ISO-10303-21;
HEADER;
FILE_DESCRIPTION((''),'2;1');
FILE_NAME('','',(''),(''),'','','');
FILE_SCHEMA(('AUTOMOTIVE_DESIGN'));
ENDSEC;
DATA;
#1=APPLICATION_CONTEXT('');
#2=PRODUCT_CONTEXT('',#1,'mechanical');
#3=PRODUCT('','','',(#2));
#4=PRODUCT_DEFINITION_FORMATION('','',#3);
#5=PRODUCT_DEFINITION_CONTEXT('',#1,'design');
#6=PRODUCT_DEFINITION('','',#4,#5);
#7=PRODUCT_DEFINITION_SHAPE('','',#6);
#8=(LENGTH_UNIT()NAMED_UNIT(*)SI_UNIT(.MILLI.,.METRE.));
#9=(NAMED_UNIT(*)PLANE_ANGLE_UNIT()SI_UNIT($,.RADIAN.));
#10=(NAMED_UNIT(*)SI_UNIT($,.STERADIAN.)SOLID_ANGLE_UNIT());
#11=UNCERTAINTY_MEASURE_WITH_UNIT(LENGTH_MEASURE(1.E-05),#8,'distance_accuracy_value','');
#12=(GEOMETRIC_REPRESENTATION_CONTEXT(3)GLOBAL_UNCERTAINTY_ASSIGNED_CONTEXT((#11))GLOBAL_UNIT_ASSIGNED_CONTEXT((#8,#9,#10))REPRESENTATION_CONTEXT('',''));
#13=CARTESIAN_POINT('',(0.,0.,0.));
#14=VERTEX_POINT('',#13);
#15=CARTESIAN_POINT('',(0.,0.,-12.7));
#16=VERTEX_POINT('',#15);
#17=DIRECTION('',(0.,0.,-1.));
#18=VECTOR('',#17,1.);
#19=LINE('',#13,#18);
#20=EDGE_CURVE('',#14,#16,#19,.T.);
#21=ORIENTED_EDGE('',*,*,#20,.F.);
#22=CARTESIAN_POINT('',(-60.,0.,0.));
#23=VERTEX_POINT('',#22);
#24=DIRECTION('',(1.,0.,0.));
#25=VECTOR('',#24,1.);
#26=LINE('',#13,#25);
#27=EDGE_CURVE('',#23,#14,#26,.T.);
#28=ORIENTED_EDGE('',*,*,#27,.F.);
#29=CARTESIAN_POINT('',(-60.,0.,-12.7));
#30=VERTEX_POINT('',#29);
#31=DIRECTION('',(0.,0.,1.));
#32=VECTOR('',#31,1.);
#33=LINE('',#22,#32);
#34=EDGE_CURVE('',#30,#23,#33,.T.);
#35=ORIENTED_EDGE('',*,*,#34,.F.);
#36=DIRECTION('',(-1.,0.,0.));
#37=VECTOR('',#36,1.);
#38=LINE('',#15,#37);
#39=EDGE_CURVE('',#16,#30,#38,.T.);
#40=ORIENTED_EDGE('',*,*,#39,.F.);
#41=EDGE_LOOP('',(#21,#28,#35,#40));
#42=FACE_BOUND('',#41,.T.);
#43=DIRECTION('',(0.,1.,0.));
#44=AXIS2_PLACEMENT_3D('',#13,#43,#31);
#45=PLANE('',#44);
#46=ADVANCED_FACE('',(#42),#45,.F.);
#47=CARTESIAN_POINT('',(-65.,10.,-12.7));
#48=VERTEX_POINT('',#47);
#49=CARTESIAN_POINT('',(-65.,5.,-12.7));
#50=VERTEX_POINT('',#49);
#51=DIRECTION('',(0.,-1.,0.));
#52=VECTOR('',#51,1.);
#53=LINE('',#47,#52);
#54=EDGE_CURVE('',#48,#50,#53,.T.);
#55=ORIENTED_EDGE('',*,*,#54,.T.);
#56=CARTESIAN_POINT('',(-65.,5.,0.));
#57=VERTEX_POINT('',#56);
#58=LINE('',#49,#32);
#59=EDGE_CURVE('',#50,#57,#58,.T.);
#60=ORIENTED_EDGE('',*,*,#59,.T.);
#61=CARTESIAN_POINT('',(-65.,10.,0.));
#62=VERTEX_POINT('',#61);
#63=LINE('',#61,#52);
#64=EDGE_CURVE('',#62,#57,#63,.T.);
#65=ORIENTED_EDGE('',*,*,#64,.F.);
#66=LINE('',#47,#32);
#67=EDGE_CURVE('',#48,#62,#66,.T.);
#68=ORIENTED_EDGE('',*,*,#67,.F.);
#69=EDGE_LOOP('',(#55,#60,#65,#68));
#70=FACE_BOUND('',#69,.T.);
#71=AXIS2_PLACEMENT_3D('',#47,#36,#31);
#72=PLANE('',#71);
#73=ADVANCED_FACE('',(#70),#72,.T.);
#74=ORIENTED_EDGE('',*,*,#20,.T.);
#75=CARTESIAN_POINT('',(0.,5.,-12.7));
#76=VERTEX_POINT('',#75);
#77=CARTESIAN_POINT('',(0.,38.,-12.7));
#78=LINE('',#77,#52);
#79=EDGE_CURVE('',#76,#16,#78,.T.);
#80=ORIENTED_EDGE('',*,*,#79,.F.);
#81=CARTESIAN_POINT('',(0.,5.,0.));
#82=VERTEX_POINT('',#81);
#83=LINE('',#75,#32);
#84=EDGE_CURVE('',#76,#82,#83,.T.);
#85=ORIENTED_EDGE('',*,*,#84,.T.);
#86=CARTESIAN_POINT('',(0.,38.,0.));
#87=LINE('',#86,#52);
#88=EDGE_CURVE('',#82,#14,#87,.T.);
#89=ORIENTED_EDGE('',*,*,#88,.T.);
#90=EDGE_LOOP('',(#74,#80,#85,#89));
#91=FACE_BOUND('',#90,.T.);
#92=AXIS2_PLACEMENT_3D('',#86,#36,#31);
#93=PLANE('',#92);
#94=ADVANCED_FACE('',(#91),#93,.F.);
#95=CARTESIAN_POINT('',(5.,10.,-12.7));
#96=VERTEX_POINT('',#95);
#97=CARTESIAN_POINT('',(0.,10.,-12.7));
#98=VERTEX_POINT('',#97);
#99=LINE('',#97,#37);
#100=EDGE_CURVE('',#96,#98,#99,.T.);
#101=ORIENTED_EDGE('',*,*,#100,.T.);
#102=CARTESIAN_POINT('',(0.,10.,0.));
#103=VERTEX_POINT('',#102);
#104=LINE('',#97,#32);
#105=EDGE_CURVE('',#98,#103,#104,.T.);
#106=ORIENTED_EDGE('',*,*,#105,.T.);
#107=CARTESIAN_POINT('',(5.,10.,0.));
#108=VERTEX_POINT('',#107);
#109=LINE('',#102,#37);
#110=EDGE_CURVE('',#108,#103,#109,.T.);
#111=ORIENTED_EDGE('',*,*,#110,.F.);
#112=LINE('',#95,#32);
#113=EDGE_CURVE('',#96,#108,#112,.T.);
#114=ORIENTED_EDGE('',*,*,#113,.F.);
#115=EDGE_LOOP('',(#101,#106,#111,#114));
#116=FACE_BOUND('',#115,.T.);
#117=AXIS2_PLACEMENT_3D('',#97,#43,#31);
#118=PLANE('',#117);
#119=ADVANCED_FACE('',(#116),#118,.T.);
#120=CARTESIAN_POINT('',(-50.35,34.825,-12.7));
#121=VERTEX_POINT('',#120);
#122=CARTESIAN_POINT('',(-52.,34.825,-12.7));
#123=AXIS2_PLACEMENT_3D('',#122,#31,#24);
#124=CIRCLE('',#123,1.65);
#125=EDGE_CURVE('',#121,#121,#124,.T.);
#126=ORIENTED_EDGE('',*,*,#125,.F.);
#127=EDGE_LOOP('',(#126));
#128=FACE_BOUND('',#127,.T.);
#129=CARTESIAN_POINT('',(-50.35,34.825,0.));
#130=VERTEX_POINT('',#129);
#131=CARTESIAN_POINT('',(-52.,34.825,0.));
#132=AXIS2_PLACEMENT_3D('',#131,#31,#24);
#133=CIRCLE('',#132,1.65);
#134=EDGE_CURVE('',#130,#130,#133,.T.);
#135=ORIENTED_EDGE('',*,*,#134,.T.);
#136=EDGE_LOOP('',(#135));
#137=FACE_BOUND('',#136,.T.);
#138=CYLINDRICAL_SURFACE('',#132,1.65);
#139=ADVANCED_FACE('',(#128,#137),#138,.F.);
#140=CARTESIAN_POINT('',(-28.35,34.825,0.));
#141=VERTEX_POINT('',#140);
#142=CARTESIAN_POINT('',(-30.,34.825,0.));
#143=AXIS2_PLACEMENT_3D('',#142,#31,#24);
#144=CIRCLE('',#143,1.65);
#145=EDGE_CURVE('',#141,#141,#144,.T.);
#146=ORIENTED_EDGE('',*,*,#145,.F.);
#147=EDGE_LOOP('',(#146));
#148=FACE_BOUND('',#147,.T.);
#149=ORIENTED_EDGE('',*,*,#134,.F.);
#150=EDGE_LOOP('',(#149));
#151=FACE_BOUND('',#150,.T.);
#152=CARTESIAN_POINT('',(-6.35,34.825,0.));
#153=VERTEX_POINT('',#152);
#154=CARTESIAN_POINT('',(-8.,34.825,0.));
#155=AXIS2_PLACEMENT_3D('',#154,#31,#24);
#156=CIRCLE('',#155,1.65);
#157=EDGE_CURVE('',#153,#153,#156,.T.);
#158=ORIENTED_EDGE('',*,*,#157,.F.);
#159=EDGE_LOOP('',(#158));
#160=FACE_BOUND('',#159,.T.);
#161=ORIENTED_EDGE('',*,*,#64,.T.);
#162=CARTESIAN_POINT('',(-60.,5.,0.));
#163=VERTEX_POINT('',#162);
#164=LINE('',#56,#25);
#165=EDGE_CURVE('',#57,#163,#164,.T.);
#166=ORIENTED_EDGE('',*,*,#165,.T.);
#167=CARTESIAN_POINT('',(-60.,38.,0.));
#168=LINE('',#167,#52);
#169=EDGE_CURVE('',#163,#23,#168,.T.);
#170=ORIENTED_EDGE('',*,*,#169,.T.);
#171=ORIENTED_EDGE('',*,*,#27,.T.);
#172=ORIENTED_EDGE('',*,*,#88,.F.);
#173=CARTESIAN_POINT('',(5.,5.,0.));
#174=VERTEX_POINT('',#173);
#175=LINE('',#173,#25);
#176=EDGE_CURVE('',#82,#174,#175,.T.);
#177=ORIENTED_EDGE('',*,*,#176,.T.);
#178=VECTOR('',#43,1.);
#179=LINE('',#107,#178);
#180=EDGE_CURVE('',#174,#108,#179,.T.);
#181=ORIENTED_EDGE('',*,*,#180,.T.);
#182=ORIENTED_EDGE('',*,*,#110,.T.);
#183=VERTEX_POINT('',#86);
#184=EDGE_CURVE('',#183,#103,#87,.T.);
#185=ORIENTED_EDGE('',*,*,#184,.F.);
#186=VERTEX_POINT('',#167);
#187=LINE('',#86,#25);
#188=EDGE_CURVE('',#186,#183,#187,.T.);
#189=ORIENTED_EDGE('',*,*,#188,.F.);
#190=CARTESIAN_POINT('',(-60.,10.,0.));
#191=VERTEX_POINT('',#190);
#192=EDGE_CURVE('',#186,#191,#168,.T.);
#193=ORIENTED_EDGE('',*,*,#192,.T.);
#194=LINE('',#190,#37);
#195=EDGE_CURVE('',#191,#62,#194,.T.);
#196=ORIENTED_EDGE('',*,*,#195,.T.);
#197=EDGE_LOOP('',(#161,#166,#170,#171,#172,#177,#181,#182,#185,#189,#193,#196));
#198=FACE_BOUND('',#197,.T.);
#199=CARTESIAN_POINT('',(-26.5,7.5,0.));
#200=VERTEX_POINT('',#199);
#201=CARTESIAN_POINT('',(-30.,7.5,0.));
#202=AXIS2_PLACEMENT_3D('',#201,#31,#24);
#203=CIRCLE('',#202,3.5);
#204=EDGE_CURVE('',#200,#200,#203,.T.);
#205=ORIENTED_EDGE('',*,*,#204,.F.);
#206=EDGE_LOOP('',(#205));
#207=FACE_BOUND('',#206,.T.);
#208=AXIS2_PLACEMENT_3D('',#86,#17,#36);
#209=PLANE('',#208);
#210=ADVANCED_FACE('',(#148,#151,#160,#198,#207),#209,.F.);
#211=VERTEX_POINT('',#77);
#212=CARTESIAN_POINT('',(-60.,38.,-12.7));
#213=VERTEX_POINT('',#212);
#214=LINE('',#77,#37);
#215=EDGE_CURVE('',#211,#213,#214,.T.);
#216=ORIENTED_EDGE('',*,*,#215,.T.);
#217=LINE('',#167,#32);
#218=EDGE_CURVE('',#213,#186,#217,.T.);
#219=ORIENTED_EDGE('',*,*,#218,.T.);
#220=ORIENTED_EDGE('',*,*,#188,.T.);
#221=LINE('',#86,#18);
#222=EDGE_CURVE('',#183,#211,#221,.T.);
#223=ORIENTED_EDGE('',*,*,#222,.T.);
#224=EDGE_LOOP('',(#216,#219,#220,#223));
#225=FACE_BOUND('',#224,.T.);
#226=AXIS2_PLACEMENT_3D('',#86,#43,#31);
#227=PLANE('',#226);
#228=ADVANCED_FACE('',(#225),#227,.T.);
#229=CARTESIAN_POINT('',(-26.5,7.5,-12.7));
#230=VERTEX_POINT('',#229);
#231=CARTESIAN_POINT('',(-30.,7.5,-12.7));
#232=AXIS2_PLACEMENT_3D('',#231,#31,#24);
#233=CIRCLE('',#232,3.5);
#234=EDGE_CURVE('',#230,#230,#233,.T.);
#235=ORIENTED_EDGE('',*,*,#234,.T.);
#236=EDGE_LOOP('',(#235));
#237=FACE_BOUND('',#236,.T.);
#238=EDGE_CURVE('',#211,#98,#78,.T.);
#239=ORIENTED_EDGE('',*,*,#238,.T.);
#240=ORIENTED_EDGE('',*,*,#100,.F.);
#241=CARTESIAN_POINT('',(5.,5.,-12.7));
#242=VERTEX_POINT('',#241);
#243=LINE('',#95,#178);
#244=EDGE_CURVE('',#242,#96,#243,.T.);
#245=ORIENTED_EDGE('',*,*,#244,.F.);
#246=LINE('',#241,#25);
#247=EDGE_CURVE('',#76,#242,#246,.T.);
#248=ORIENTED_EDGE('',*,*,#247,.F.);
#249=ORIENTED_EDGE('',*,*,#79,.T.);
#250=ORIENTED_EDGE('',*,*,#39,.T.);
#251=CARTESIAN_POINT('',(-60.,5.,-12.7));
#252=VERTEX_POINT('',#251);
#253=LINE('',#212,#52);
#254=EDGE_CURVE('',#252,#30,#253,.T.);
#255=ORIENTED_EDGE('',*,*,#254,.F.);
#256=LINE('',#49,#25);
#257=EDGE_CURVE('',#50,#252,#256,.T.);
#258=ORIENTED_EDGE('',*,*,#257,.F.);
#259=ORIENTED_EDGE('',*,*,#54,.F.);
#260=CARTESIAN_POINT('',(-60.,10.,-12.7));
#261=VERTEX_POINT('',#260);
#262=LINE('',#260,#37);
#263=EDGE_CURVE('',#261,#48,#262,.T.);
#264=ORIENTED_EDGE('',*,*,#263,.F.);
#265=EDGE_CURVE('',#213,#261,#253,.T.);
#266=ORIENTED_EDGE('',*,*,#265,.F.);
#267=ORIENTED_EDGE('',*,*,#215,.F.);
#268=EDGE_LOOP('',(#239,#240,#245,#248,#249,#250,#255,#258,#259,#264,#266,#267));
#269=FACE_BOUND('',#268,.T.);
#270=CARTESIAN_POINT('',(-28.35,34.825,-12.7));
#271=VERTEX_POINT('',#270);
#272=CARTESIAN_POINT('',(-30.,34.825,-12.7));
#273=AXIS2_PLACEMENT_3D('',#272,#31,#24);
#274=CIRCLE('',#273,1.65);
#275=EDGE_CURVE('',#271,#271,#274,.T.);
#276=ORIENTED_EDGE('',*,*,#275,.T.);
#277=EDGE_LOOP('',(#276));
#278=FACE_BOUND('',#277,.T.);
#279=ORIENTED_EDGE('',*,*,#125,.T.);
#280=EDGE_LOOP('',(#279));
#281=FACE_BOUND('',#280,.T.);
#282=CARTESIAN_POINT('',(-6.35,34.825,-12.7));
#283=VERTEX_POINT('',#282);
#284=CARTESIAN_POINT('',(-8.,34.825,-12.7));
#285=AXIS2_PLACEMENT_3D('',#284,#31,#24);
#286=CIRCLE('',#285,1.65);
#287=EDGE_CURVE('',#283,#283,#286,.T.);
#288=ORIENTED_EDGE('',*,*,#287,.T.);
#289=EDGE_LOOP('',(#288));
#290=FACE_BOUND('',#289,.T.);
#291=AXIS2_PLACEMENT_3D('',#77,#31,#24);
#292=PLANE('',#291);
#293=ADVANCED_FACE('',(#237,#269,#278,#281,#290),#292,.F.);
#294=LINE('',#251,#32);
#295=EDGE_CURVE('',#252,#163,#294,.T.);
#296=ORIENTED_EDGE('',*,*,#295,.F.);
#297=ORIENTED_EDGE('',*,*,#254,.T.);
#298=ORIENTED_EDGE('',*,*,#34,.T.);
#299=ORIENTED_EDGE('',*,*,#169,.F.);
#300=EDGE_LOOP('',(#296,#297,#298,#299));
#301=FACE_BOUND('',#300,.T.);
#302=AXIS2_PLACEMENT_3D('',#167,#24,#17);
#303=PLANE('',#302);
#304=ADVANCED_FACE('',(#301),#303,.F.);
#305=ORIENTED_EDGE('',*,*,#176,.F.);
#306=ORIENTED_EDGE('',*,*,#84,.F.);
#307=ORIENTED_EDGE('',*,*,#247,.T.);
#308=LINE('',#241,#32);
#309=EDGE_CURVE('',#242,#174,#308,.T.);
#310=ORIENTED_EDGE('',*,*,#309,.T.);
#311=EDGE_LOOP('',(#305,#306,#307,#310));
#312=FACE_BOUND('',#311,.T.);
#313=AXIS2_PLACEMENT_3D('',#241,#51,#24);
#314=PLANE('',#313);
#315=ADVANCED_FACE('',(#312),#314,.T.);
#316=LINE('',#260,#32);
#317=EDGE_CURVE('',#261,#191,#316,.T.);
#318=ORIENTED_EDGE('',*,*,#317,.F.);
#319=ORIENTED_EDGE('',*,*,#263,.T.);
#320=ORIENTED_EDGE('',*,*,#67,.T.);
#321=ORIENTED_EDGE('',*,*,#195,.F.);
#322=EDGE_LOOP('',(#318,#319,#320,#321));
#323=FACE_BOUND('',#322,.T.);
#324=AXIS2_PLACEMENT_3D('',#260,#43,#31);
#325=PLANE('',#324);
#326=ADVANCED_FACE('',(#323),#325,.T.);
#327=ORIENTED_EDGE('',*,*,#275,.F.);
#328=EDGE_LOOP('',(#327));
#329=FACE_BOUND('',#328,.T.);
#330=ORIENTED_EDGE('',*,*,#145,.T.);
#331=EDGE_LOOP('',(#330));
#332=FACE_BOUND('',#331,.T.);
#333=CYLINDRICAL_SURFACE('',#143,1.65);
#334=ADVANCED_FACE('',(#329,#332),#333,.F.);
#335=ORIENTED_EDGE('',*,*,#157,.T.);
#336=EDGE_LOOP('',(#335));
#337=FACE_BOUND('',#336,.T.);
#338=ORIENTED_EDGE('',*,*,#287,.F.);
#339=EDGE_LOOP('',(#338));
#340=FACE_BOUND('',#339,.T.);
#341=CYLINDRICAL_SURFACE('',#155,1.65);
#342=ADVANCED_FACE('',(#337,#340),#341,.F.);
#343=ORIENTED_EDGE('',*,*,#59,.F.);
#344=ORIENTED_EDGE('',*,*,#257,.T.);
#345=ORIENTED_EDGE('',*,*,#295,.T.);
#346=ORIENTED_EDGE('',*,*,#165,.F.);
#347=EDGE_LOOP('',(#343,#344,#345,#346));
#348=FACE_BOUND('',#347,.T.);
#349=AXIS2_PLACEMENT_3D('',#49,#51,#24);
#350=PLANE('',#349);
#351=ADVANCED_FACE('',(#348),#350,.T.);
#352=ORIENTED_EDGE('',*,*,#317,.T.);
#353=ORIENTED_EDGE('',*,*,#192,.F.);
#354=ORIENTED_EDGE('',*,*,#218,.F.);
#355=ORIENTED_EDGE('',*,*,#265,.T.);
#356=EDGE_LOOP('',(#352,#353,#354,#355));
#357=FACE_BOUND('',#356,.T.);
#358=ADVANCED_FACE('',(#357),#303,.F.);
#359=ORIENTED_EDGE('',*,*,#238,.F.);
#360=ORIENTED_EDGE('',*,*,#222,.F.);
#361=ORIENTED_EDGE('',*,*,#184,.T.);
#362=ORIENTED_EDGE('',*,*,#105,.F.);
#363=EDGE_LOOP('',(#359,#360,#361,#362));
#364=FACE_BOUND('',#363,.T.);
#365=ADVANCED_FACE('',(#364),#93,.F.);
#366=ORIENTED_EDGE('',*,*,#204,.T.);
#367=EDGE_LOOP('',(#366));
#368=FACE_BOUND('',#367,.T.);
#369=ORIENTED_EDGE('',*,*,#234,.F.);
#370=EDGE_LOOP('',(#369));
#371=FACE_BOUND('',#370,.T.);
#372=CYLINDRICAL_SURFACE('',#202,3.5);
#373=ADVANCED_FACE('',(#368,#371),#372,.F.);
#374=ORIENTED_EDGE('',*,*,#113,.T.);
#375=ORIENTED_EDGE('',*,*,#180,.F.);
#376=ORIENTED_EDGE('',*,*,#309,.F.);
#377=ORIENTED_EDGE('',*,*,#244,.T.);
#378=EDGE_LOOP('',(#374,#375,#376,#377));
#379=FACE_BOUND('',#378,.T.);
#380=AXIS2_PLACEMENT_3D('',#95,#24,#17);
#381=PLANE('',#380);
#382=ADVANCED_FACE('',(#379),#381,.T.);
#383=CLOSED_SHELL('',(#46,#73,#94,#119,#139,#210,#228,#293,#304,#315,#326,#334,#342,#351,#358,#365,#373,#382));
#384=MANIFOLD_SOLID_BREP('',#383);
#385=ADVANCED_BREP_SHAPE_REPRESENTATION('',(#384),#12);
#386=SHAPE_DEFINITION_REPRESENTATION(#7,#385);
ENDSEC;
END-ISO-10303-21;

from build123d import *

# Parameters (mm, degrees)
SKETCH1_W                 = 60
SKETCH1_H                 = 12.7
BOSS_EXTRUDE1_DEPTH       = 38
M8X1_0_TAPPED_HOLE1_D     = 7
M8X1_0_TAPPED_HOLE1_DEPTH = 19.05
M8X1_0_TAPPED_HOLE1_TIP   = 2.103012167
BOSS_EXTRUDE3_DEPTH       = 12.7
M4X0_7_TAPPED_HOLE1_D     = 3.3


with BuildPart() as part:
    # Sketch1 → Boss-Extrude1 (new body)
    with BuildSketch(Plane(origin=(0, 0, 0), x_dir=(1, 0, 0), z_dir=(0, 1, 0))):
        with Locations((-30, 6.35)):
            Rectangle(SKETCH1_W, SKETCH1_H)
    extrude(amount=BOSS_EXTRUDE1_DEPTH)

    # M8x1.0 Tapped Hole1
    with Locations(Plane(origin=(-30, 7.5, 0), x_dir=(1, 0, 0), z_dir=(0, 0, 1))):
        with Locations((0, 0)):
            Hole(M8X1_0_TAPPED_HOLE1_D / 2, depth=M8X1_0_TAPPED_HOLE1_DEPTH)
            with Locations((0, 0, -(M8X1_0_TAPPED_HOLE1_DEPTH + M8X1_0_TAPPED_HOLE1_TIP / 2))):  # 118° drill point
                Cone(0, M8X1_0_TAPPED_HOLE1_D / 2, M8X1_0_TAPPED_HOLE1_TIP, mode=Mode.SUBTRACT)

    # Sketch7 → Boss-Extrude3 (add)
    with BuildSketch(Plane.XY):
        Polygon((-60, 7.5), (-60, 10), (-65, 10), (-65, 5), (-60, 5), align=None)
        Polygon((5, 5), (0, 5), (0, 7.5), (0, 10), (5, 10), align=None)
    extrude(amount=-BOSS_EXTRUDE3_DEPTH)

    # M4x0.7 Tapped Hole1 (through all)
    with Locations(Plane(origin=(-52, 34.825, 0), x_dir=(1, 0, 0), z_dir=(0, 0, 1))):
        with Locations((0, 0), (22, 0), (44, 0)):
            Hole(M4X0_7_TAPPED_HOLE1_D / 2)


solid = part.part
